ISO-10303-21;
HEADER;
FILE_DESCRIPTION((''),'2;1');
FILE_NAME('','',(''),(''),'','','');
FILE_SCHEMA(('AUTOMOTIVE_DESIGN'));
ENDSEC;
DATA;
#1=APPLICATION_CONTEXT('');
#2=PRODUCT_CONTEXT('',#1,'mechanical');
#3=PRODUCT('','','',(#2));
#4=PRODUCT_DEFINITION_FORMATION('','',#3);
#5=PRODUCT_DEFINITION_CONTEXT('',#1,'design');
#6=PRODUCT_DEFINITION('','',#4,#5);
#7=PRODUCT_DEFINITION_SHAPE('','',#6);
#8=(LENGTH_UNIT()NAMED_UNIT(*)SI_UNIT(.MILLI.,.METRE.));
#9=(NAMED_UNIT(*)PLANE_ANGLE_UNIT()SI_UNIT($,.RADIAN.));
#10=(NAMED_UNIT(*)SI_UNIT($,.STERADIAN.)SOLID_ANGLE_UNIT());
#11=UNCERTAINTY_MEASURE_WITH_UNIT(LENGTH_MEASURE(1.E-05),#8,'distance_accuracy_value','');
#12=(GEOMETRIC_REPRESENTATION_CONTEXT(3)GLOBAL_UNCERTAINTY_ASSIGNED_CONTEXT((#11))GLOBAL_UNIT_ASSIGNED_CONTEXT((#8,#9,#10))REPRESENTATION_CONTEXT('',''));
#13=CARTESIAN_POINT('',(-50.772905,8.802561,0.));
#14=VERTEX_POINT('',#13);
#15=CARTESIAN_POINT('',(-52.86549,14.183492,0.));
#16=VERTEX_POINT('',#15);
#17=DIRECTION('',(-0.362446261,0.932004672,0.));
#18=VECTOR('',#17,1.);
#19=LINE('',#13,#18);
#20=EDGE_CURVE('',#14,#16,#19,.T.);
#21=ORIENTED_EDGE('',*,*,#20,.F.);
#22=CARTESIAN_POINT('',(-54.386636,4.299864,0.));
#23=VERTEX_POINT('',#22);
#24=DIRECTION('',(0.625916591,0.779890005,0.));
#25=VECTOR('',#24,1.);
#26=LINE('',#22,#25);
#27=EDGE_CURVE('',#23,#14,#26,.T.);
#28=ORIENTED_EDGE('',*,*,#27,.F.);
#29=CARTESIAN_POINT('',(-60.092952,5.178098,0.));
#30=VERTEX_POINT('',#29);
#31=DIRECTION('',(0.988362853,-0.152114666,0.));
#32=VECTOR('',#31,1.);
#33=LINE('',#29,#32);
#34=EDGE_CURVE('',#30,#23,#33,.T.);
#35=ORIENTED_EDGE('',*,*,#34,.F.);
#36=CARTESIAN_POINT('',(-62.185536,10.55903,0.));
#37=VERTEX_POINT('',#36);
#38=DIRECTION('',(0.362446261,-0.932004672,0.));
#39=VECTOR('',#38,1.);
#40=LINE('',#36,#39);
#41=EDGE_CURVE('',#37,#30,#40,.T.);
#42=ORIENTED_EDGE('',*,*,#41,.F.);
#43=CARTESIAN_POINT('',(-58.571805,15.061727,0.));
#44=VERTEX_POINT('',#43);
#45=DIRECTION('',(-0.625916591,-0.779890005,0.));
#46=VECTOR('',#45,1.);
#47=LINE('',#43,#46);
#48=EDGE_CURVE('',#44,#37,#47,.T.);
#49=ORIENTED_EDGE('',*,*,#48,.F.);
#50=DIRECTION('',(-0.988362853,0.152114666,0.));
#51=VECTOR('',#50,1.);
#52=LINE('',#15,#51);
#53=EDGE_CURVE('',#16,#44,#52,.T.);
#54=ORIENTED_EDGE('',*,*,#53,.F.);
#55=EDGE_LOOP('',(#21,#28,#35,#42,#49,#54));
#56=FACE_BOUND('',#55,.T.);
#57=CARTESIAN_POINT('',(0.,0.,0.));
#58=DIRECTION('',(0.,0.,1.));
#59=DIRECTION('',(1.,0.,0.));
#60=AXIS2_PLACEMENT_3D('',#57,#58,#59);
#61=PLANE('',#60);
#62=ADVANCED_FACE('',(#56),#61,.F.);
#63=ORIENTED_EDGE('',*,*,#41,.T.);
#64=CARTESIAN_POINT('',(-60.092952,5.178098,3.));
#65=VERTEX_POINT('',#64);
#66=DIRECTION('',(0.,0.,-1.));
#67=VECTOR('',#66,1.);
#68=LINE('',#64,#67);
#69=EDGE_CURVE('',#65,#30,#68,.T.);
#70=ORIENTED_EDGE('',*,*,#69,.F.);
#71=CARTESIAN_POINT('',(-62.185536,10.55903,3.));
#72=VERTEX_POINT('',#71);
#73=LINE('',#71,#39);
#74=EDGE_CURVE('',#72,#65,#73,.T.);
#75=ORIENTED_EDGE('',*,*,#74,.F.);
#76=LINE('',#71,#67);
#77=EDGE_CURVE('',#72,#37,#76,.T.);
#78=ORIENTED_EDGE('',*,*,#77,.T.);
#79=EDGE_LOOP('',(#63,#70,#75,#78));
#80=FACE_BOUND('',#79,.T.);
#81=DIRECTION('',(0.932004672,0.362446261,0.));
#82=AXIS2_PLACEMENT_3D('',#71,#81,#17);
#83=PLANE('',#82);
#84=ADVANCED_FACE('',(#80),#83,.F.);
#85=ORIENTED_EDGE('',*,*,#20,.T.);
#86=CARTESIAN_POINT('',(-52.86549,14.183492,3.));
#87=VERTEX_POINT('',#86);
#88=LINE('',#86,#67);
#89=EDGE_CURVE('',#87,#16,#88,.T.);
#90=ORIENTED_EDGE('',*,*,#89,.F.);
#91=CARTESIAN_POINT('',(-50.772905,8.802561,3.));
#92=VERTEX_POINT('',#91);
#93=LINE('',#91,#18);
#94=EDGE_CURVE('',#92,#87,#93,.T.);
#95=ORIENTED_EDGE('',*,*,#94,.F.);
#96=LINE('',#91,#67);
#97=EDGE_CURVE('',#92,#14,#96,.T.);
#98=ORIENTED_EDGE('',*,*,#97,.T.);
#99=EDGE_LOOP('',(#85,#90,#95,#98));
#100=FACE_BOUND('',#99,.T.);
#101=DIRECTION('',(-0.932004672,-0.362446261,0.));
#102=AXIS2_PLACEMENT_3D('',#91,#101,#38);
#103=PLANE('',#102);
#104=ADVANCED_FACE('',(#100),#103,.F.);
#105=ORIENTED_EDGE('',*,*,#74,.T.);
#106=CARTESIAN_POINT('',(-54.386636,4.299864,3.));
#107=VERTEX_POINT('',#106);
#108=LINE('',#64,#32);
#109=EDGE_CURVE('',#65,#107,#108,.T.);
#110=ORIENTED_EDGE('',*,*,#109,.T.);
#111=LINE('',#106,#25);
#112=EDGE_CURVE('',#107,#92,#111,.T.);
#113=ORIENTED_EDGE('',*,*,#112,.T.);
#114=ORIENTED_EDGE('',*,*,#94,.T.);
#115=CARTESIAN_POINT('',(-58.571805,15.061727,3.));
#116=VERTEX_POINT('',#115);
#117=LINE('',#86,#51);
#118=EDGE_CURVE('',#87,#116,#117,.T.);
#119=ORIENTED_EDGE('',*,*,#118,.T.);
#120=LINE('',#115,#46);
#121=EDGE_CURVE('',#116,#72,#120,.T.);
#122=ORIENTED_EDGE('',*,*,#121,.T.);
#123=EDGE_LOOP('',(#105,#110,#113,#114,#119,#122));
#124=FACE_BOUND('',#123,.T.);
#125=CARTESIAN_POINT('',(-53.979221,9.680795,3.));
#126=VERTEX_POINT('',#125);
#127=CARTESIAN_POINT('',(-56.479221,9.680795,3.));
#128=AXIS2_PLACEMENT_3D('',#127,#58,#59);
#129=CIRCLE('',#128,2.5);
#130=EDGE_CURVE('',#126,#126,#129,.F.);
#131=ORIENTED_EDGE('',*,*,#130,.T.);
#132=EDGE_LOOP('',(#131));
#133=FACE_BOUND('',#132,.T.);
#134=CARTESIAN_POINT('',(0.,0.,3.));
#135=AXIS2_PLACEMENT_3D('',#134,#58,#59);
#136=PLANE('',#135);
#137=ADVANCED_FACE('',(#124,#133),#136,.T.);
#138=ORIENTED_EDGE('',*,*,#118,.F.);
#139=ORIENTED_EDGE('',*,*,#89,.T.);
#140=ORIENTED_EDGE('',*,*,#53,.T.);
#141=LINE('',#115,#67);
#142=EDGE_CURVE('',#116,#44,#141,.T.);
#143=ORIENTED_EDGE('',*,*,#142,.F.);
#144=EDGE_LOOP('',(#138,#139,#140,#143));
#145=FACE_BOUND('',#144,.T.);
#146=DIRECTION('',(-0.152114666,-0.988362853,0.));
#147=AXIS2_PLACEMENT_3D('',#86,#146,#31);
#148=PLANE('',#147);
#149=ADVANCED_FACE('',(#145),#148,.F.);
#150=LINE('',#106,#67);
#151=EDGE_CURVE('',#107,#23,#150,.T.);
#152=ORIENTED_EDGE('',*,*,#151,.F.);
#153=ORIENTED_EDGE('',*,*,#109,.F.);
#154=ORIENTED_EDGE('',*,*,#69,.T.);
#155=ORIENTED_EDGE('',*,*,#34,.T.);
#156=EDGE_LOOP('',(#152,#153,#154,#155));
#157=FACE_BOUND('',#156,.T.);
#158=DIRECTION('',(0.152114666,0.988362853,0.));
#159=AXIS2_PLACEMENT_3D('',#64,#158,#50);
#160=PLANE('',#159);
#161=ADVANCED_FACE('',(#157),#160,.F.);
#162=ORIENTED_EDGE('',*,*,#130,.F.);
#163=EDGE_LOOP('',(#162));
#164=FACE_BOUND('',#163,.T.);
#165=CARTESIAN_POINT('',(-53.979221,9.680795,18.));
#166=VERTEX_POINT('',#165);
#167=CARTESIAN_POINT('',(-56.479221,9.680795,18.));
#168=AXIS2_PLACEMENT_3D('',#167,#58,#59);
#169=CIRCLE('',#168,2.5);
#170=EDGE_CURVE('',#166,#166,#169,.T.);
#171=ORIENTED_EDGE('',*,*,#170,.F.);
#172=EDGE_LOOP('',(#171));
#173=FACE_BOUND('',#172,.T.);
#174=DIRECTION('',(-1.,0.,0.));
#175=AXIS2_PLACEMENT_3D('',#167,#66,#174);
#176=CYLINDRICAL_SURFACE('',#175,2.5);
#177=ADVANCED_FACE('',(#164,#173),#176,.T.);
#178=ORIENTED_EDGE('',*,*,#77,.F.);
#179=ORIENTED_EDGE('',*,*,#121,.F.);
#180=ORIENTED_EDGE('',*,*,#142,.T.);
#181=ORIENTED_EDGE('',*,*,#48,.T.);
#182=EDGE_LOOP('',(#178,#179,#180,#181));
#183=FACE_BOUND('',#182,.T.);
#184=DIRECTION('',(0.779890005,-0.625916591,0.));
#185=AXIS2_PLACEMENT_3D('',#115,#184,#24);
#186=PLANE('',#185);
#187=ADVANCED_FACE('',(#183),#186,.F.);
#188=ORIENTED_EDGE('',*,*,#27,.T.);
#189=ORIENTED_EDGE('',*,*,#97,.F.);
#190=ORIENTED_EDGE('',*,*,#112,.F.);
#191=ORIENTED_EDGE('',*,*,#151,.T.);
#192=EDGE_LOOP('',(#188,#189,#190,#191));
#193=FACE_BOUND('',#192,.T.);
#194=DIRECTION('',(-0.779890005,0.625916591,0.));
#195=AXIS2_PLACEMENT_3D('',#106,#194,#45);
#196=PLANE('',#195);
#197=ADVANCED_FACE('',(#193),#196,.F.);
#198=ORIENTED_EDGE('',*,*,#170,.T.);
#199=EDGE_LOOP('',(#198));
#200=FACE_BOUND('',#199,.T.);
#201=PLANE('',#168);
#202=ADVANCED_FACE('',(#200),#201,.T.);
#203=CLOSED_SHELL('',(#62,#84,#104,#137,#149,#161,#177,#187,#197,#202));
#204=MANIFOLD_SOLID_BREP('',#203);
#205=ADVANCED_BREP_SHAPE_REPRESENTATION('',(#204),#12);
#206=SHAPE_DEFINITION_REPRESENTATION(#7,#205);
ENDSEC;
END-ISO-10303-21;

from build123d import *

# Parameters (mm, degrees)
SALIENTE_EXTRUIR3_DEPTH = 3
CROQUIS3_R              = 2.5
SALIENTE_EXTRUIR4_DEPTH = 18


with BuildPart() as part:
    # Croquis1 → Saliente-Extruir3 (new body)
    with BuildSketch(Plane.XY):
        Polygon((-54.386636348, 4.299863782), (-50.772905222, 8.802560828), (-52.865489687, 14.183492308), (-58.571805277, 15.061726742), (-62.185536402, 10.559029696), (-60.092951938, 5.178098216), align=None)
    extrude(amount=SALIENTE_EXTRUIR3_DEPTH)

    # Croquis3 → Saliente-Extruir4 (add)
    with BuildSketch(Plane.XY):
        with Locations((-56.479220812, 9.680795262)):
            Circle(CROQUIS3_R)
    extrude(amount=SALIENTE_EXTRUIR4_DEPTH)


solid = part.part
